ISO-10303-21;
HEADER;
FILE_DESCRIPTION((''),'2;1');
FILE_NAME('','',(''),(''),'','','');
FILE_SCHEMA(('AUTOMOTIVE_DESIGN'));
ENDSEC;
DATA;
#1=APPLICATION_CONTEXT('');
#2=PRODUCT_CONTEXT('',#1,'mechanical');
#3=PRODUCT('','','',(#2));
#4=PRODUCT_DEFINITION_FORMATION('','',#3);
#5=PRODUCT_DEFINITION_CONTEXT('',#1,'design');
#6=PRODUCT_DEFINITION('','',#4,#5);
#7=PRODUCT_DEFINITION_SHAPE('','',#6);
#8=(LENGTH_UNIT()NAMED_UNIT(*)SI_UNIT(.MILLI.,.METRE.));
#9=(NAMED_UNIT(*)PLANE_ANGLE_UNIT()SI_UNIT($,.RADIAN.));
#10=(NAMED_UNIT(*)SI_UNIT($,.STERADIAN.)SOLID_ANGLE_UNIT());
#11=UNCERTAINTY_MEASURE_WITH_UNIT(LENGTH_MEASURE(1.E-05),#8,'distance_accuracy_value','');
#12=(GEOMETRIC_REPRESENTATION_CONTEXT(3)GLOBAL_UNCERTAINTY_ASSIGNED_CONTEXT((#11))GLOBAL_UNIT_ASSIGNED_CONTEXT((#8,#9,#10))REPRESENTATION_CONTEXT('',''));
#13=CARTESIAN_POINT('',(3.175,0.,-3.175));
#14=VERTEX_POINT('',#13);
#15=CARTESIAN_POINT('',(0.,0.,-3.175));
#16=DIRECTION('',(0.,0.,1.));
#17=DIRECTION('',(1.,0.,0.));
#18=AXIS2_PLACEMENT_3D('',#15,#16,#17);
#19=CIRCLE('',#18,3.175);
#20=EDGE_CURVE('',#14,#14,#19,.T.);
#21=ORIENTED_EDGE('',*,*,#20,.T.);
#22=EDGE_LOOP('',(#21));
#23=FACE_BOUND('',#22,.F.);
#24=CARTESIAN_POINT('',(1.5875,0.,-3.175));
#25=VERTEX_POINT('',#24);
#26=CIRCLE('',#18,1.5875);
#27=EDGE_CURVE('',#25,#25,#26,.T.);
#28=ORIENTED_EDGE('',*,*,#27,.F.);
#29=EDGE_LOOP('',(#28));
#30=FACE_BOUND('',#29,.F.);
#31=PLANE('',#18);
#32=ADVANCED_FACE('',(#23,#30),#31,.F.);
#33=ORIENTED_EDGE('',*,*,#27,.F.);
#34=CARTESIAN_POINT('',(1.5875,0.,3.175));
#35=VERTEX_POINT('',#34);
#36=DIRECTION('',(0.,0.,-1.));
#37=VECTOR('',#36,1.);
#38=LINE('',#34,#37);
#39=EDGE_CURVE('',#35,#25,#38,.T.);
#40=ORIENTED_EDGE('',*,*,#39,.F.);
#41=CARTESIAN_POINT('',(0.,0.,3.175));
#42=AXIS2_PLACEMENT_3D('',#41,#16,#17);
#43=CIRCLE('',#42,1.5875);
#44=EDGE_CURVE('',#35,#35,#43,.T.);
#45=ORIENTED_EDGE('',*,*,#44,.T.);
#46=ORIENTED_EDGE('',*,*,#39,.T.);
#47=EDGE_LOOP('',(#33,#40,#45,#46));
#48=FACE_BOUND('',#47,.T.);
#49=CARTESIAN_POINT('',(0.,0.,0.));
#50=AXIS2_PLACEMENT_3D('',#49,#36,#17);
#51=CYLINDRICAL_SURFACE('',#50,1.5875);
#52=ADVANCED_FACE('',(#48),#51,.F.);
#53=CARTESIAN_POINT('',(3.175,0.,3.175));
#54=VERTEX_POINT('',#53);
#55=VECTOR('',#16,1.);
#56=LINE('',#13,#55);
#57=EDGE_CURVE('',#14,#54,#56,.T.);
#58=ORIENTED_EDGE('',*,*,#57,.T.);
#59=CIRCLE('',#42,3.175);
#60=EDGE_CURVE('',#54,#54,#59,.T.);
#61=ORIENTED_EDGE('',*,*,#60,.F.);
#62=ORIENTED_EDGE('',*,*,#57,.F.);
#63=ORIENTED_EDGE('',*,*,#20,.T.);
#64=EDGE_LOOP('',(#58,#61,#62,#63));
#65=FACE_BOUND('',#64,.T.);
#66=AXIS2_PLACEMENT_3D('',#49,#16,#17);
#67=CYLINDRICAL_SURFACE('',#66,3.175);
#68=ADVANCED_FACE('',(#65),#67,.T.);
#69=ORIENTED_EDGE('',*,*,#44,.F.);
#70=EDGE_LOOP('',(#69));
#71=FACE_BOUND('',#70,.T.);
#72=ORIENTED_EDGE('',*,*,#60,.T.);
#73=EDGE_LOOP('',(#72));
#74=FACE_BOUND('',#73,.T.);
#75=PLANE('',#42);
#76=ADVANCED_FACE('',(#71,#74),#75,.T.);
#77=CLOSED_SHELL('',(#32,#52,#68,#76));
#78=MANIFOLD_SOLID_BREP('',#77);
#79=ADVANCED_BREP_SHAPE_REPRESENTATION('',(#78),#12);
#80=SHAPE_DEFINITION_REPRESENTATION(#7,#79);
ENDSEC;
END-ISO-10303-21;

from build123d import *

# Parameters (mm, degrees)
SKETCH1_R      = 3.175
SKETCH1_R_2    = 1.5875
EXTRUDE1_DEPTH = 3.175


with BuildPart() as part:
    # Sketch1 → Extrude1 (new body, symmetric)
    with BuildSketch(Plane.XY):
        Circle(SKETCH1_R)
        Circle(SKETCH1_R_2, mode=Mode.SUBTRACT)
    extrude(amount=EXTRUDE1_DEPTH, both=True)


solid = part.part
